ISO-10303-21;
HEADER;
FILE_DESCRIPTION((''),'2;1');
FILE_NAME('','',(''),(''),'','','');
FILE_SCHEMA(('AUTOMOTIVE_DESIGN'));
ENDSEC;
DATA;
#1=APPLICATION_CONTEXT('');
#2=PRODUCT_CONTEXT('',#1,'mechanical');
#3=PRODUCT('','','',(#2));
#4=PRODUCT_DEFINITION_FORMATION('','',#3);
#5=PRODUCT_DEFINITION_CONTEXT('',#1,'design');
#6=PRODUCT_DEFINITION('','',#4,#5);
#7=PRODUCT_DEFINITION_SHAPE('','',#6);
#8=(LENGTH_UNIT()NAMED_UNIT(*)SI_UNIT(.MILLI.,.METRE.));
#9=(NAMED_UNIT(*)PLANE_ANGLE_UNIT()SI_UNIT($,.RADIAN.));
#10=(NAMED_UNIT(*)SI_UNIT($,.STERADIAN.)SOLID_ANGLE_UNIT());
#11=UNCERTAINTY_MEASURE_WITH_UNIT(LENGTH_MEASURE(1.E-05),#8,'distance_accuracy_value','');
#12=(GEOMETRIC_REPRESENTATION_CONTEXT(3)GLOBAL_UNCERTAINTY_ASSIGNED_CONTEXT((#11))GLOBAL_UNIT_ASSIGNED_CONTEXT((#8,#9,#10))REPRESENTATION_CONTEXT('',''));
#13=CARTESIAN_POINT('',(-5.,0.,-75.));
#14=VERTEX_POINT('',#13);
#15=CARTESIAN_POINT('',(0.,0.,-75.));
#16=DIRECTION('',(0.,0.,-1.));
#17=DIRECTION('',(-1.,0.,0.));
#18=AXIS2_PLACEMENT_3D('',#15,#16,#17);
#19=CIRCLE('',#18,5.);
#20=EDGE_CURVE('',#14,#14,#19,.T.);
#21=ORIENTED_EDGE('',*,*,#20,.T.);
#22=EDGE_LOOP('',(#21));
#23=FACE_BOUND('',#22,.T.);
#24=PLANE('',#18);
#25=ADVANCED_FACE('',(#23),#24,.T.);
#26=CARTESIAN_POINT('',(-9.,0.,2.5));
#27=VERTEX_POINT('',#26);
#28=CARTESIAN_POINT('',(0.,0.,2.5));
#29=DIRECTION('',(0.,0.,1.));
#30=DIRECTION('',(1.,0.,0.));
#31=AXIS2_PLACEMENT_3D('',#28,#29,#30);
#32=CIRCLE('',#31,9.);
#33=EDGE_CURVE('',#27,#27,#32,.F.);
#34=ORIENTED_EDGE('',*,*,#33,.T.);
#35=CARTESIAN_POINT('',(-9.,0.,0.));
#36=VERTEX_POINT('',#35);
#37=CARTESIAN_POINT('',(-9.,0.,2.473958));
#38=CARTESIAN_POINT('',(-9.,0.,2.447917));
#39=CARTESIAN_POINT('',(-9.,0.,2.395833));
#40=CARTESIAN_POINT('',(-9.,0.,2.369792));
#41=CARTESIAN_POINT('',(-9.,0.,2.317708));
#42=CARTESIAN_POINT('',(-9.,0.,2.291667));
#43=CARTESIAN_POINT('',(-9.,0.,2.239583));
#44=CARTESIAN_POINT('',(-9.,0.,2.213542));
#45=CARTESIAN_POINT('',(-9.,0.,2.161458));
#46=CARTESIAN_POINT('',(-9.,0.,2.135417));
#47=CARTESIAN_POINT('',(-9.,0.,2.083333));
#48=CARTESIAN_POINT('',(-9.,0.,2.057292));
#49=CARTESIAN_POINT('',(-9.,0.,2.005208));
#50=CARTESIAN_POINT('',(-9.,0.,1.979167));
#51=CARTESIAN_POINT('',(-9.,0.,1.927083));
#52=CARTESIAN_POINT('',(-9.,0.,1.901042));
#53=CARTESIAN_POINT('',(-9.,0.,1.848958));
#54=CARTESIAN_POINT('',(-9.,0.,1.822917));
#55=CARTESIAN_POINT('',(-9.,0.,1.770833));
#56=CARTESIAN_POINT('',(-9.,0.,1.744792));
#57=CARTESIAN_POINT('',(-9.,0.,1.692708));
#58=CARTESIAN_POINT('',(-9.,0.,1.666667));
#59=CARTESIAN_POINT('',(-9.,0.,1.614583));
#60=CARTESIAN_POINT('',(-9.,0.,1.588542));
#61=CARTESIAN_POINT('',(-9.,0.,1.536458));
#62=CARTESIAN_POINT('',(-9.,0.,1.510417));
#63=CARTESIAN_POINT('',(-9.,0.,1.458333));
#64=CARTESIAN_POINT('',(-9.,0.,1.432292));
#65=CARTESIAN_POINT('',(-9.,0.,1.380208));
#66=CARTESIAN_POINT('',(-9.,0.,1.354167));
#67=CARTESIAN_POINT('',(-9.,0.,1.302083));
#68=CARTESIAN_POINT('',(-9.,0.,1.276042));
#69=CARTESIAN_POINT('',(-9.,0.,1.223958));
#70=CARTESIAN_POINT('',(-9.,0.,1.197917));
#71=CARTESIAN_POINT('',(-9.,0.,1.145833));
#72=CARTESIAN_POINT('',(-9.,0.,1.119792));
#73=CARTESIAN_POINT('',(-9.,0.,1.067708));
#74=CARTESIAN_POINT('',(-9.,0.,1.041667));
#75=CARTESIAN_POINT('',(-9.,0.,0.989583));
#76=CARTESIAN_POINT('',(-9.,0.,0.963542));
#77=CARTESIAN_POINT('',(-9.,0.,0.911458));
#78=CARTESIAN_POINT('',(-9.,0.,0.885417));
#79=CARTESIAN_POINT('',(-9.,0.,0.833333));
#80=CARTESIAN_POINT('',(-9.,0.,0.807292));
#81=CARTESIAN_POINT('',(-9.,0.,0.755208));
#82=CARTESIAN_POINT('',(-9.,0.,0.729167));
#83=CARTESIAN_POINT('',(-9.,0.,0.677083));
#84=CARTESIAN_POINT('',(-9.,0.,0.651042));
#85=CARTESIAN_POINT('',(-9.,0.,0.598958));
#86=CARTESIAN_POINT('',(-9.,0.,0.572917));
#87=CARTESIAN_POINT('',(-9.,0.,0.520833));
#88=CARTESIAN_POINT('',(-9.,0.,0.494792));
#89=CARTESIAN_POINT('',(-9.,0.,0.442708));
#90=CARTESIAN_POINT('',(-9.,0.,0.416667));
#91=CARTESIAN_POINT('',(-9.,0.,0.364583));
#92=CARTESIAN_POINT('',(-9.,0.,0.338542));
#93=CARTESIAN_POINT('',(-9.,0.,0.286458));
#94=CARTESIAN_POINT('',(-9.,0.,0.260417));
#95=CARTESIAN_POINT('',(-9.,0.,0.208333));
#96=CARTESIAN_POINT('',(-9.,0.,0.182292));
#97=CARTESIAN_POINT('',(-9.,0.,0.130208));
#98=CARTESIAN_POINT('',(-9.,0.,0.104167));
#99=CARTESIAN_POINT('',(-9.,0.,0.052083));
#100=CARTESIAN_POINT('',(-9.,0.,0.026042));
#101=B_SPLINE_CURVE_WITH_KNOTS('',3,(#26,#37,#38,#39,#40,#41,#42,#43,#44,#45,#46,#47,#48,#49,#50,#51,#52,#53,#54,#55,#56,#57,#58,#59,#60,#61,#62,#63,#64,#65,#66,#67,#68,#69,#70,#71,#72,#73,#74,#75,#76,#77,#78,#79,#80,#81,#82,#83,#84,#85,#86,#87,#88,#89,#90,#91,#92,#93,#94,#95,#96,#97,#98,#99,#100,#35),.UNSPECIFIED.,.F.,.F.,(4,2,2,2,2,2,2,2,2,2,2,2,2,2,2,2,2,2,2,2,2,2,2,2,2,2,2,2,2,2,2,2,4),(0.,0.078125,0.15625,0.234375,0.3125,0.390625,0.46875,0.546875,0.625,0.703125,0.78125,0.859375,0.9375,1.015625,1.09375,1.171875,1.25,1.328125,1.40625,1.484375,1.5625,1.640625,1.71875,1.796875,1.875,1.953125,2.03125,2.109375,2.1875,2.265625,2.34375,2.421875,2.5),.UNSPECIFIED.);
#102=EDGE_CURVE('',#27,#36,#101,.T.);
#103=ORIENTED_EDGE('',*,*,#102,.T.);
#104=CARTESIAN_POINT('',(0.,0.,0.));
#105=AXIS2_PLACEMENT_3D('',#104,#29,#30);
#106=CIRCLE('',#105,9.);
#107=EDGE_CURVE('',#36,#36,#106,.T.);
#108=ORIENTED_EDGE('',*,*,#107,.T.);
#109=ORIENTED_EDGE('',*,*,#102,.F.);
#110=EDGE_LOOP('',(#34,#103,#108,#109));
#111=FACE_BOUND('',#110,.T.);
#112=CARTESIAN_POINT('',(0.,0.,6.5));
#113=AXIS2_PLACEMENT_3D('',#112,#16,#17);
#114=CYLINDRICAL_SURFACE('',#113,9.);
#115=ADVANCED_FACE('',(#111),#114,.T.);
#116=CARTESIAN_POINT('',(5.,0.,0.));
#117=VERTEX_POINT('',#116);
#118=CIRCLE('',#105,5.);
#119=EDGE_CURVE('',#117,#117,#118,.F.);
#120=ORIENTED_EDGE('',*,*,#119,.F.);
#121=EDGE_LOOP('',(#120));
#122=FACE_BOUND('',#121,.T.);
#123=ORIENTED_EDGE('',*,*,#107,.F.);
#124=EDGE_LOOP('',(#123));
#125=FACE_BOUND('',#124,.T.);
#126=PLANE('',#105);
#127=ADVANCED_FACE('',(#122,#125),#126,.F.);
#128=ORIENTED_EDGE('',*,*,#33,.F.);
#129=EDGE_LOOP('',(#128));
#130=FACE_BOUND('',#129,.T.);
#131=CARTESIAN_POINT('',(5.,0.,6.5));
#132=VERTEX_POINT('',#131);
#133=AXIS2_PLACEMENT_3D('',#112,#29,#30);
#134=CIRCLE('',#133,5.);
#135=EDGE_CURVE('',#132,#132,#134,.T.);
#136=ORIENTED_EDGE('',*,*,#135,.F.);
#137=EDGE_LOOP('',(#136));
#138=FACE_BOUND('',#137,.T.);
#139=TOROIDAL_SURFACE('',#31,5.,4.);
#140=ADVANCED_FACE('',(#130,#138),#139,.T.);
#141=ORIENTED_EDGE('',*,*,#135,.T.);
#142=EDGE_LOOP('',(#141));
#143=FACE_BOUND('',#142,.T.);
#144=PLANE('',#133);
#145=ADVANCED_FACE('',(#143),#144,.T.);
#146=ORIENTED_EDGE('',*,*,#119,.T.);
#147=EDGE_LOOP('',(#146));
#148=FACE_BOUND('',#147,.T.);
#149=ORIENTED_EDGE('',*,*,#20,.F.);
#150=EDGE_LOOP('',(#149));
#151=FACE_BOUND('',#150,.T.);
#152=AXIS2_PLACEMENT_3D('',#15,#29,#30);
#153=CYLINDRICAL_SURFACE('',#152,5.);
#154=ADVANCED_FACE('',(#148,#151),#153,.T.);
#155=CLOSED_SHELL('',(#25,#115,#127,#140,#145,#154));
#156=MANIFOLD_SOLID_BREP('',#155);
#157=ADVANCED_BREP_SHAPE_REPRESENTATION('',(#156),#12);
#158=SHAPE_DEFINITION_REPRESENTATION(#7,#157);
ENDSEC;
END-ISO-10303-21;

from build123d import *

# Parameters (mm, degrees)
SKETCH1_R           = 9
BOSS_EXTRUDE1_DEPTH = 6.5
FILLET1_R           = 4
SKETCH2_R           = 5
BOSS_EXTRUDE2_DEPTH = 75


with BuildPart() as part:
    # Sketch1 → Boss-Extrude1 (new body)
    with BuildSketch(Plane.XY):
        with Locations(Location((0, 0, 0), (0, 0, 180))):
            Circle(SKETCH1_R)
    extrude(amount=BOSS_EXTRUDE1_DEPTH)

    # Fillet1
    fillet1_edges = [part.edges().sort_by_distance(p)[0] for p in [
        (9, 0, 6.5),
    ]]
    fillet(fillet1_edges, radius=FILLET1_R)

    # Sketch2 → Boss-Extrude2 (add)
    with BuildSketch(Plane(origin=(0, 0, 0), x_dir=(-1, 0, 0), z_dir=(0, 0, -1))):
        with Locations(Location((0, 0, 0), (0, 0, 180))):
            Circle(SKETCH2_R)
    extrude(amount=BOSS_EXTRUDE2_DEPTH)


solid = part.part
